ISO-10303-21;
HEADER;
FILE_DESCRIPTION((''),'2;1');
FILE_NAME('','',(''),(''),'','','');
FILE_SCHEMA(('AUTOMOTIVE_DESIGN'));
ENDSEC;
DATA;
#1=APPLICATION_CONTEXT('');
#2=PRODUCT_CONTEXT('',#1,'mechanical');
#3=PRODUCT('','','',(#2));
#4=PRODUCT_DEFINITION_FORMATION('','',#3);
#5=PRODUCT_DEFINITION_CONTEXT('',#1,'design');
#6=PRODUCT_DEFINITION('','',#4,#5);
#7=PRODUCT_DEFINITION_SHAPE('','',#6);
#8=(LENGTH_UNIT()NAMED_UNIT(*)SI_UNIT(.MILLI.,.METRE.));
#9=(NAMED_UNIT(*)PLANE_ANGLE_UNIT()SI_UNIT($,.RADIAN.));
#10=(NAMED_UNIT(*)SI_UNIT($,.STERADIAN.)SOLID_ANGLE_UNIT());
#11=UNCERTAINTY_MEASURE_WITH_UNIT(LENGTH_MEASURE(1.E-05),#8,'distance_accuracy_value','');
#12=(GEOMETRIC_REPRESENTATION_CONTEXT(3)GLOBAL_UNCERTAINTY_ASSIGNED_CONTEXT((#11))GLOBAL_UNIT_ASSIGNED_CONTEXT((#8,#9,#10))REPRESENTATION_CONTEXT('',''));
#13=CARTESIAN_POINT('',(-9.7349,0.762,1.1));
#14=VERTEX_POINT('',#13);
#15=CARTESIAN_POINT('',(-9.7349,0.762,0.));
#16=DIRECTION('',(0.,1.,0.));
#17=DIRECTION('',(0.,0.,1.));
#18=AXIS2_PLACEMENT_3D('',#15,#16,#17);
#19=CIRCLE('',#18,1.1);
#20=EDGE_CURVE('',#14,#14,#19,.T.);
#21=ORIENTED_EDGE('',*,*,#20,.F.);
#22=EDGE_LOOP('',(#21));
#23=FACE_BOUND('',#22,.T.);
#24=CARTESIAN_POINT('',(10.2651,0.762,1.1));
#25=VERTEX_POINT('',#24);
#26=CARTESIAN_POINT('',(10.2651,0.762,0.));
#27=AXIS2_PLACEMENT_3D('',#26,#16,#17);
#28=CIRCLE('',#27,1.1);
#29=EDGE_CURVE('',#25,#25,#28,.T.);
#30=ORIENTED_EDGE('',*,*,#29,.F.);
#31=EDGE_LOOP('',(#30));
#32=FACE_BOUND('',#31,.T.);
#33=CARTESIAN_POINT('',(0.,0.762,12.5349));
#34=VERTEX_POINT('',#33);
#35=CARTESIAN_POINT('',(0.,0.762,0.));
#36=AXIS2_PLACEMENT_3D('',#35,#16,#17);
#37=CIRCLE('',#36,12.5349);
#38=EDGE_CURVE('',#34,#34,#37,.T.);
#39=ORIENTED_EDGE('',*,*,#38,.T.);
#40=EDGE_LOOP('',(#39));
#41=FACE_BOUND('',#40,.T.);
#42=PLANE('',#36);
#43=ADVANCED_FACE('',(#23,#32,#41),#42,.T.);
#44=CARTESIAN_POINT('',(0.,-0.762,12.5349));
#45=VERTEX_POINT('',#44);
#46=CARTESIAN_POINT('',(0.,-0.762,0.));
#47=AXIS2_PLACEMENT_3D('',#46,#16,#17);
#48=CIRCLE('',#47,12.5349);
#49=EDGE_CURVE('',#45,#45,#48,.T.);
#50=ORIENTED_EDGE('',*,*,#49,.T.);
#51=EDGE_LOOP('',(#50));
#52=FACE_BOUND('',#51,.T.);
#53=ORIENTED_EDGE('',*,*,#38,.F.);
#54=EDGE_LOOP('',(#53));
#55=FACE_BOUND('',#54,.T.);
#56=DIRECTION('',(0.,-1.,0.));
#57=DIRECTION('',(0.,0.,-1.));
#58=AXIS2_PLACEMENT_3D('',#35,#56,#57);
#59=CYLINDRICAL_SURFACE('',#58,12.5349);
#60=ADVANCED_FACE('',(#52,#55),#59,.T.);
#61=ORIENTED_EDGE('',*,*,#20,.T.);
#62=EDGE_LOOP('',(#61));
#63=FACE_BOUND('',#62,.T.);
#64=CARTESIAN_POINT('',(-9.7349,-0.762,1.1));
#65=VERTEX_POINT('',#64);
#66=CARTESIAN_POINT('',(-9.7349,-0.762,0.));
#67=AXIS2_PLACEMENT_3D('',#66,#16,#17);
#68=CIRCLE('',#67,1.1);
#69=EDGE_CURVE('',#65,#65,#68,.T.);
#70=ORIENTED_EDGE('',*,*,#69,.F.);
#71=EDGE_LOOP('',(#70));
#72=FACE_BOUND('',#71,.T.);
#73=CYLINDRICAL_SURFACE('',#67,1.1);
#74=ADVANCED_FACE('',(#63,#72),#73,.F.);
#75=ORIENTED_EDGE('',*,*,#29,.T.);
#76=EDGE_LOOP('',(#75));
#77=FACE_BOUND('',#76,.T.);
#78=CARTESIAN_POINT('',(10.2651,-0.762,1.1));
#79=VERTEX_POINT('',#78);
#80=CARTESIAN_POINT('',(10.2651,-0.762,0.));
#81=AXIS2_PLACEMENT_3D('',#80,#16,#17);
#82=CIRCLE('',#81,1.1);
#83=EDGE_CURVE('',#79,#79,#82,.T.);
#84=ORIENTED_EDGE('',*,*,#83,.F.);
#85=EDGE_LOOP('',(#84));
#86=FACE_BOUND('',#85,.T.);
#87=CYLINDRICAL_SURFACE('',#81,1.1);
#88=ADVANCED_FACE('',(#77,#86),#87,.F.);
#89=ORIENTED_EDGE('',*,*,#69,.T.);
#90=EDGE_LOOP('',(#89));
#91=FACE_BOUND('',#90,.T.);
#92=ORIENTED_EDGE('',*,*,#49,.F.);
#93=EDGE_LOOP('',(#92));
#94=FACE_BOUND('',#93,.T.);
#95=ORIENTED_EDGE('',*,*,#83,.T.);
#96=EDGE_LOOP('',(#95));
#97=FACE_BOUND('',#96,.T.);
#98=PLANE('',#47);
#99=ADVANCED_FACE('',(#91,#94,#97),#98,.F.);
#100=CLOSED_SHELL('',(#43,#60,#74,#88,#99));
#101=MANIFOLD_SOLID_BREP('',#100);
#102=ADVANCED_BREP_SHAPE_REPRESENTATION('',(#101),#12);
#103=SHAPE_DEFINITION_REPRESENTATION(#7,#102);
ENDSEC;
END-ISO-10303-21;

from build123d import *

# Parameters (mm, degrees)
SKETCH1_R           = 12.5349
BOSS_EXTRUDE1_DEPTH = 0.762
SKETCH2_R           = 1.1
CUT_EXTRUDE1_DEPTH  = 2.524


with BuildPart() as part:
    # Sketch1 → Boss-Extrude1 (new body, symmetric)
    with BuildSketch(Plane(origin=(0, 0, 0), x_dir=(1, 0, 0), z_dir=(0, 1, 0))):
        Circle(SKETCH1_R)
    extrude(amount=BOSS_EXTRUDE1_DEPTH, both=True)

    # Sketch2 → Cut-Extrude1 (cut, through all)
    with BuildSketch(Plane(origin=(0, 0.762, 0), x_dir=(1, 0, 0), z_dir=(0, 1, 0))):
        with Locations((-9.734900012, 0)):
            Circle(SKETCH2_R)
        with Locations((10.265099988, 0)):
            Circle(SKETCH2_R)
    extrude(amount=-CUT_EXTRUDE1_DEPTH, mode=Mode.SUBTRACT)


solid = part.part
